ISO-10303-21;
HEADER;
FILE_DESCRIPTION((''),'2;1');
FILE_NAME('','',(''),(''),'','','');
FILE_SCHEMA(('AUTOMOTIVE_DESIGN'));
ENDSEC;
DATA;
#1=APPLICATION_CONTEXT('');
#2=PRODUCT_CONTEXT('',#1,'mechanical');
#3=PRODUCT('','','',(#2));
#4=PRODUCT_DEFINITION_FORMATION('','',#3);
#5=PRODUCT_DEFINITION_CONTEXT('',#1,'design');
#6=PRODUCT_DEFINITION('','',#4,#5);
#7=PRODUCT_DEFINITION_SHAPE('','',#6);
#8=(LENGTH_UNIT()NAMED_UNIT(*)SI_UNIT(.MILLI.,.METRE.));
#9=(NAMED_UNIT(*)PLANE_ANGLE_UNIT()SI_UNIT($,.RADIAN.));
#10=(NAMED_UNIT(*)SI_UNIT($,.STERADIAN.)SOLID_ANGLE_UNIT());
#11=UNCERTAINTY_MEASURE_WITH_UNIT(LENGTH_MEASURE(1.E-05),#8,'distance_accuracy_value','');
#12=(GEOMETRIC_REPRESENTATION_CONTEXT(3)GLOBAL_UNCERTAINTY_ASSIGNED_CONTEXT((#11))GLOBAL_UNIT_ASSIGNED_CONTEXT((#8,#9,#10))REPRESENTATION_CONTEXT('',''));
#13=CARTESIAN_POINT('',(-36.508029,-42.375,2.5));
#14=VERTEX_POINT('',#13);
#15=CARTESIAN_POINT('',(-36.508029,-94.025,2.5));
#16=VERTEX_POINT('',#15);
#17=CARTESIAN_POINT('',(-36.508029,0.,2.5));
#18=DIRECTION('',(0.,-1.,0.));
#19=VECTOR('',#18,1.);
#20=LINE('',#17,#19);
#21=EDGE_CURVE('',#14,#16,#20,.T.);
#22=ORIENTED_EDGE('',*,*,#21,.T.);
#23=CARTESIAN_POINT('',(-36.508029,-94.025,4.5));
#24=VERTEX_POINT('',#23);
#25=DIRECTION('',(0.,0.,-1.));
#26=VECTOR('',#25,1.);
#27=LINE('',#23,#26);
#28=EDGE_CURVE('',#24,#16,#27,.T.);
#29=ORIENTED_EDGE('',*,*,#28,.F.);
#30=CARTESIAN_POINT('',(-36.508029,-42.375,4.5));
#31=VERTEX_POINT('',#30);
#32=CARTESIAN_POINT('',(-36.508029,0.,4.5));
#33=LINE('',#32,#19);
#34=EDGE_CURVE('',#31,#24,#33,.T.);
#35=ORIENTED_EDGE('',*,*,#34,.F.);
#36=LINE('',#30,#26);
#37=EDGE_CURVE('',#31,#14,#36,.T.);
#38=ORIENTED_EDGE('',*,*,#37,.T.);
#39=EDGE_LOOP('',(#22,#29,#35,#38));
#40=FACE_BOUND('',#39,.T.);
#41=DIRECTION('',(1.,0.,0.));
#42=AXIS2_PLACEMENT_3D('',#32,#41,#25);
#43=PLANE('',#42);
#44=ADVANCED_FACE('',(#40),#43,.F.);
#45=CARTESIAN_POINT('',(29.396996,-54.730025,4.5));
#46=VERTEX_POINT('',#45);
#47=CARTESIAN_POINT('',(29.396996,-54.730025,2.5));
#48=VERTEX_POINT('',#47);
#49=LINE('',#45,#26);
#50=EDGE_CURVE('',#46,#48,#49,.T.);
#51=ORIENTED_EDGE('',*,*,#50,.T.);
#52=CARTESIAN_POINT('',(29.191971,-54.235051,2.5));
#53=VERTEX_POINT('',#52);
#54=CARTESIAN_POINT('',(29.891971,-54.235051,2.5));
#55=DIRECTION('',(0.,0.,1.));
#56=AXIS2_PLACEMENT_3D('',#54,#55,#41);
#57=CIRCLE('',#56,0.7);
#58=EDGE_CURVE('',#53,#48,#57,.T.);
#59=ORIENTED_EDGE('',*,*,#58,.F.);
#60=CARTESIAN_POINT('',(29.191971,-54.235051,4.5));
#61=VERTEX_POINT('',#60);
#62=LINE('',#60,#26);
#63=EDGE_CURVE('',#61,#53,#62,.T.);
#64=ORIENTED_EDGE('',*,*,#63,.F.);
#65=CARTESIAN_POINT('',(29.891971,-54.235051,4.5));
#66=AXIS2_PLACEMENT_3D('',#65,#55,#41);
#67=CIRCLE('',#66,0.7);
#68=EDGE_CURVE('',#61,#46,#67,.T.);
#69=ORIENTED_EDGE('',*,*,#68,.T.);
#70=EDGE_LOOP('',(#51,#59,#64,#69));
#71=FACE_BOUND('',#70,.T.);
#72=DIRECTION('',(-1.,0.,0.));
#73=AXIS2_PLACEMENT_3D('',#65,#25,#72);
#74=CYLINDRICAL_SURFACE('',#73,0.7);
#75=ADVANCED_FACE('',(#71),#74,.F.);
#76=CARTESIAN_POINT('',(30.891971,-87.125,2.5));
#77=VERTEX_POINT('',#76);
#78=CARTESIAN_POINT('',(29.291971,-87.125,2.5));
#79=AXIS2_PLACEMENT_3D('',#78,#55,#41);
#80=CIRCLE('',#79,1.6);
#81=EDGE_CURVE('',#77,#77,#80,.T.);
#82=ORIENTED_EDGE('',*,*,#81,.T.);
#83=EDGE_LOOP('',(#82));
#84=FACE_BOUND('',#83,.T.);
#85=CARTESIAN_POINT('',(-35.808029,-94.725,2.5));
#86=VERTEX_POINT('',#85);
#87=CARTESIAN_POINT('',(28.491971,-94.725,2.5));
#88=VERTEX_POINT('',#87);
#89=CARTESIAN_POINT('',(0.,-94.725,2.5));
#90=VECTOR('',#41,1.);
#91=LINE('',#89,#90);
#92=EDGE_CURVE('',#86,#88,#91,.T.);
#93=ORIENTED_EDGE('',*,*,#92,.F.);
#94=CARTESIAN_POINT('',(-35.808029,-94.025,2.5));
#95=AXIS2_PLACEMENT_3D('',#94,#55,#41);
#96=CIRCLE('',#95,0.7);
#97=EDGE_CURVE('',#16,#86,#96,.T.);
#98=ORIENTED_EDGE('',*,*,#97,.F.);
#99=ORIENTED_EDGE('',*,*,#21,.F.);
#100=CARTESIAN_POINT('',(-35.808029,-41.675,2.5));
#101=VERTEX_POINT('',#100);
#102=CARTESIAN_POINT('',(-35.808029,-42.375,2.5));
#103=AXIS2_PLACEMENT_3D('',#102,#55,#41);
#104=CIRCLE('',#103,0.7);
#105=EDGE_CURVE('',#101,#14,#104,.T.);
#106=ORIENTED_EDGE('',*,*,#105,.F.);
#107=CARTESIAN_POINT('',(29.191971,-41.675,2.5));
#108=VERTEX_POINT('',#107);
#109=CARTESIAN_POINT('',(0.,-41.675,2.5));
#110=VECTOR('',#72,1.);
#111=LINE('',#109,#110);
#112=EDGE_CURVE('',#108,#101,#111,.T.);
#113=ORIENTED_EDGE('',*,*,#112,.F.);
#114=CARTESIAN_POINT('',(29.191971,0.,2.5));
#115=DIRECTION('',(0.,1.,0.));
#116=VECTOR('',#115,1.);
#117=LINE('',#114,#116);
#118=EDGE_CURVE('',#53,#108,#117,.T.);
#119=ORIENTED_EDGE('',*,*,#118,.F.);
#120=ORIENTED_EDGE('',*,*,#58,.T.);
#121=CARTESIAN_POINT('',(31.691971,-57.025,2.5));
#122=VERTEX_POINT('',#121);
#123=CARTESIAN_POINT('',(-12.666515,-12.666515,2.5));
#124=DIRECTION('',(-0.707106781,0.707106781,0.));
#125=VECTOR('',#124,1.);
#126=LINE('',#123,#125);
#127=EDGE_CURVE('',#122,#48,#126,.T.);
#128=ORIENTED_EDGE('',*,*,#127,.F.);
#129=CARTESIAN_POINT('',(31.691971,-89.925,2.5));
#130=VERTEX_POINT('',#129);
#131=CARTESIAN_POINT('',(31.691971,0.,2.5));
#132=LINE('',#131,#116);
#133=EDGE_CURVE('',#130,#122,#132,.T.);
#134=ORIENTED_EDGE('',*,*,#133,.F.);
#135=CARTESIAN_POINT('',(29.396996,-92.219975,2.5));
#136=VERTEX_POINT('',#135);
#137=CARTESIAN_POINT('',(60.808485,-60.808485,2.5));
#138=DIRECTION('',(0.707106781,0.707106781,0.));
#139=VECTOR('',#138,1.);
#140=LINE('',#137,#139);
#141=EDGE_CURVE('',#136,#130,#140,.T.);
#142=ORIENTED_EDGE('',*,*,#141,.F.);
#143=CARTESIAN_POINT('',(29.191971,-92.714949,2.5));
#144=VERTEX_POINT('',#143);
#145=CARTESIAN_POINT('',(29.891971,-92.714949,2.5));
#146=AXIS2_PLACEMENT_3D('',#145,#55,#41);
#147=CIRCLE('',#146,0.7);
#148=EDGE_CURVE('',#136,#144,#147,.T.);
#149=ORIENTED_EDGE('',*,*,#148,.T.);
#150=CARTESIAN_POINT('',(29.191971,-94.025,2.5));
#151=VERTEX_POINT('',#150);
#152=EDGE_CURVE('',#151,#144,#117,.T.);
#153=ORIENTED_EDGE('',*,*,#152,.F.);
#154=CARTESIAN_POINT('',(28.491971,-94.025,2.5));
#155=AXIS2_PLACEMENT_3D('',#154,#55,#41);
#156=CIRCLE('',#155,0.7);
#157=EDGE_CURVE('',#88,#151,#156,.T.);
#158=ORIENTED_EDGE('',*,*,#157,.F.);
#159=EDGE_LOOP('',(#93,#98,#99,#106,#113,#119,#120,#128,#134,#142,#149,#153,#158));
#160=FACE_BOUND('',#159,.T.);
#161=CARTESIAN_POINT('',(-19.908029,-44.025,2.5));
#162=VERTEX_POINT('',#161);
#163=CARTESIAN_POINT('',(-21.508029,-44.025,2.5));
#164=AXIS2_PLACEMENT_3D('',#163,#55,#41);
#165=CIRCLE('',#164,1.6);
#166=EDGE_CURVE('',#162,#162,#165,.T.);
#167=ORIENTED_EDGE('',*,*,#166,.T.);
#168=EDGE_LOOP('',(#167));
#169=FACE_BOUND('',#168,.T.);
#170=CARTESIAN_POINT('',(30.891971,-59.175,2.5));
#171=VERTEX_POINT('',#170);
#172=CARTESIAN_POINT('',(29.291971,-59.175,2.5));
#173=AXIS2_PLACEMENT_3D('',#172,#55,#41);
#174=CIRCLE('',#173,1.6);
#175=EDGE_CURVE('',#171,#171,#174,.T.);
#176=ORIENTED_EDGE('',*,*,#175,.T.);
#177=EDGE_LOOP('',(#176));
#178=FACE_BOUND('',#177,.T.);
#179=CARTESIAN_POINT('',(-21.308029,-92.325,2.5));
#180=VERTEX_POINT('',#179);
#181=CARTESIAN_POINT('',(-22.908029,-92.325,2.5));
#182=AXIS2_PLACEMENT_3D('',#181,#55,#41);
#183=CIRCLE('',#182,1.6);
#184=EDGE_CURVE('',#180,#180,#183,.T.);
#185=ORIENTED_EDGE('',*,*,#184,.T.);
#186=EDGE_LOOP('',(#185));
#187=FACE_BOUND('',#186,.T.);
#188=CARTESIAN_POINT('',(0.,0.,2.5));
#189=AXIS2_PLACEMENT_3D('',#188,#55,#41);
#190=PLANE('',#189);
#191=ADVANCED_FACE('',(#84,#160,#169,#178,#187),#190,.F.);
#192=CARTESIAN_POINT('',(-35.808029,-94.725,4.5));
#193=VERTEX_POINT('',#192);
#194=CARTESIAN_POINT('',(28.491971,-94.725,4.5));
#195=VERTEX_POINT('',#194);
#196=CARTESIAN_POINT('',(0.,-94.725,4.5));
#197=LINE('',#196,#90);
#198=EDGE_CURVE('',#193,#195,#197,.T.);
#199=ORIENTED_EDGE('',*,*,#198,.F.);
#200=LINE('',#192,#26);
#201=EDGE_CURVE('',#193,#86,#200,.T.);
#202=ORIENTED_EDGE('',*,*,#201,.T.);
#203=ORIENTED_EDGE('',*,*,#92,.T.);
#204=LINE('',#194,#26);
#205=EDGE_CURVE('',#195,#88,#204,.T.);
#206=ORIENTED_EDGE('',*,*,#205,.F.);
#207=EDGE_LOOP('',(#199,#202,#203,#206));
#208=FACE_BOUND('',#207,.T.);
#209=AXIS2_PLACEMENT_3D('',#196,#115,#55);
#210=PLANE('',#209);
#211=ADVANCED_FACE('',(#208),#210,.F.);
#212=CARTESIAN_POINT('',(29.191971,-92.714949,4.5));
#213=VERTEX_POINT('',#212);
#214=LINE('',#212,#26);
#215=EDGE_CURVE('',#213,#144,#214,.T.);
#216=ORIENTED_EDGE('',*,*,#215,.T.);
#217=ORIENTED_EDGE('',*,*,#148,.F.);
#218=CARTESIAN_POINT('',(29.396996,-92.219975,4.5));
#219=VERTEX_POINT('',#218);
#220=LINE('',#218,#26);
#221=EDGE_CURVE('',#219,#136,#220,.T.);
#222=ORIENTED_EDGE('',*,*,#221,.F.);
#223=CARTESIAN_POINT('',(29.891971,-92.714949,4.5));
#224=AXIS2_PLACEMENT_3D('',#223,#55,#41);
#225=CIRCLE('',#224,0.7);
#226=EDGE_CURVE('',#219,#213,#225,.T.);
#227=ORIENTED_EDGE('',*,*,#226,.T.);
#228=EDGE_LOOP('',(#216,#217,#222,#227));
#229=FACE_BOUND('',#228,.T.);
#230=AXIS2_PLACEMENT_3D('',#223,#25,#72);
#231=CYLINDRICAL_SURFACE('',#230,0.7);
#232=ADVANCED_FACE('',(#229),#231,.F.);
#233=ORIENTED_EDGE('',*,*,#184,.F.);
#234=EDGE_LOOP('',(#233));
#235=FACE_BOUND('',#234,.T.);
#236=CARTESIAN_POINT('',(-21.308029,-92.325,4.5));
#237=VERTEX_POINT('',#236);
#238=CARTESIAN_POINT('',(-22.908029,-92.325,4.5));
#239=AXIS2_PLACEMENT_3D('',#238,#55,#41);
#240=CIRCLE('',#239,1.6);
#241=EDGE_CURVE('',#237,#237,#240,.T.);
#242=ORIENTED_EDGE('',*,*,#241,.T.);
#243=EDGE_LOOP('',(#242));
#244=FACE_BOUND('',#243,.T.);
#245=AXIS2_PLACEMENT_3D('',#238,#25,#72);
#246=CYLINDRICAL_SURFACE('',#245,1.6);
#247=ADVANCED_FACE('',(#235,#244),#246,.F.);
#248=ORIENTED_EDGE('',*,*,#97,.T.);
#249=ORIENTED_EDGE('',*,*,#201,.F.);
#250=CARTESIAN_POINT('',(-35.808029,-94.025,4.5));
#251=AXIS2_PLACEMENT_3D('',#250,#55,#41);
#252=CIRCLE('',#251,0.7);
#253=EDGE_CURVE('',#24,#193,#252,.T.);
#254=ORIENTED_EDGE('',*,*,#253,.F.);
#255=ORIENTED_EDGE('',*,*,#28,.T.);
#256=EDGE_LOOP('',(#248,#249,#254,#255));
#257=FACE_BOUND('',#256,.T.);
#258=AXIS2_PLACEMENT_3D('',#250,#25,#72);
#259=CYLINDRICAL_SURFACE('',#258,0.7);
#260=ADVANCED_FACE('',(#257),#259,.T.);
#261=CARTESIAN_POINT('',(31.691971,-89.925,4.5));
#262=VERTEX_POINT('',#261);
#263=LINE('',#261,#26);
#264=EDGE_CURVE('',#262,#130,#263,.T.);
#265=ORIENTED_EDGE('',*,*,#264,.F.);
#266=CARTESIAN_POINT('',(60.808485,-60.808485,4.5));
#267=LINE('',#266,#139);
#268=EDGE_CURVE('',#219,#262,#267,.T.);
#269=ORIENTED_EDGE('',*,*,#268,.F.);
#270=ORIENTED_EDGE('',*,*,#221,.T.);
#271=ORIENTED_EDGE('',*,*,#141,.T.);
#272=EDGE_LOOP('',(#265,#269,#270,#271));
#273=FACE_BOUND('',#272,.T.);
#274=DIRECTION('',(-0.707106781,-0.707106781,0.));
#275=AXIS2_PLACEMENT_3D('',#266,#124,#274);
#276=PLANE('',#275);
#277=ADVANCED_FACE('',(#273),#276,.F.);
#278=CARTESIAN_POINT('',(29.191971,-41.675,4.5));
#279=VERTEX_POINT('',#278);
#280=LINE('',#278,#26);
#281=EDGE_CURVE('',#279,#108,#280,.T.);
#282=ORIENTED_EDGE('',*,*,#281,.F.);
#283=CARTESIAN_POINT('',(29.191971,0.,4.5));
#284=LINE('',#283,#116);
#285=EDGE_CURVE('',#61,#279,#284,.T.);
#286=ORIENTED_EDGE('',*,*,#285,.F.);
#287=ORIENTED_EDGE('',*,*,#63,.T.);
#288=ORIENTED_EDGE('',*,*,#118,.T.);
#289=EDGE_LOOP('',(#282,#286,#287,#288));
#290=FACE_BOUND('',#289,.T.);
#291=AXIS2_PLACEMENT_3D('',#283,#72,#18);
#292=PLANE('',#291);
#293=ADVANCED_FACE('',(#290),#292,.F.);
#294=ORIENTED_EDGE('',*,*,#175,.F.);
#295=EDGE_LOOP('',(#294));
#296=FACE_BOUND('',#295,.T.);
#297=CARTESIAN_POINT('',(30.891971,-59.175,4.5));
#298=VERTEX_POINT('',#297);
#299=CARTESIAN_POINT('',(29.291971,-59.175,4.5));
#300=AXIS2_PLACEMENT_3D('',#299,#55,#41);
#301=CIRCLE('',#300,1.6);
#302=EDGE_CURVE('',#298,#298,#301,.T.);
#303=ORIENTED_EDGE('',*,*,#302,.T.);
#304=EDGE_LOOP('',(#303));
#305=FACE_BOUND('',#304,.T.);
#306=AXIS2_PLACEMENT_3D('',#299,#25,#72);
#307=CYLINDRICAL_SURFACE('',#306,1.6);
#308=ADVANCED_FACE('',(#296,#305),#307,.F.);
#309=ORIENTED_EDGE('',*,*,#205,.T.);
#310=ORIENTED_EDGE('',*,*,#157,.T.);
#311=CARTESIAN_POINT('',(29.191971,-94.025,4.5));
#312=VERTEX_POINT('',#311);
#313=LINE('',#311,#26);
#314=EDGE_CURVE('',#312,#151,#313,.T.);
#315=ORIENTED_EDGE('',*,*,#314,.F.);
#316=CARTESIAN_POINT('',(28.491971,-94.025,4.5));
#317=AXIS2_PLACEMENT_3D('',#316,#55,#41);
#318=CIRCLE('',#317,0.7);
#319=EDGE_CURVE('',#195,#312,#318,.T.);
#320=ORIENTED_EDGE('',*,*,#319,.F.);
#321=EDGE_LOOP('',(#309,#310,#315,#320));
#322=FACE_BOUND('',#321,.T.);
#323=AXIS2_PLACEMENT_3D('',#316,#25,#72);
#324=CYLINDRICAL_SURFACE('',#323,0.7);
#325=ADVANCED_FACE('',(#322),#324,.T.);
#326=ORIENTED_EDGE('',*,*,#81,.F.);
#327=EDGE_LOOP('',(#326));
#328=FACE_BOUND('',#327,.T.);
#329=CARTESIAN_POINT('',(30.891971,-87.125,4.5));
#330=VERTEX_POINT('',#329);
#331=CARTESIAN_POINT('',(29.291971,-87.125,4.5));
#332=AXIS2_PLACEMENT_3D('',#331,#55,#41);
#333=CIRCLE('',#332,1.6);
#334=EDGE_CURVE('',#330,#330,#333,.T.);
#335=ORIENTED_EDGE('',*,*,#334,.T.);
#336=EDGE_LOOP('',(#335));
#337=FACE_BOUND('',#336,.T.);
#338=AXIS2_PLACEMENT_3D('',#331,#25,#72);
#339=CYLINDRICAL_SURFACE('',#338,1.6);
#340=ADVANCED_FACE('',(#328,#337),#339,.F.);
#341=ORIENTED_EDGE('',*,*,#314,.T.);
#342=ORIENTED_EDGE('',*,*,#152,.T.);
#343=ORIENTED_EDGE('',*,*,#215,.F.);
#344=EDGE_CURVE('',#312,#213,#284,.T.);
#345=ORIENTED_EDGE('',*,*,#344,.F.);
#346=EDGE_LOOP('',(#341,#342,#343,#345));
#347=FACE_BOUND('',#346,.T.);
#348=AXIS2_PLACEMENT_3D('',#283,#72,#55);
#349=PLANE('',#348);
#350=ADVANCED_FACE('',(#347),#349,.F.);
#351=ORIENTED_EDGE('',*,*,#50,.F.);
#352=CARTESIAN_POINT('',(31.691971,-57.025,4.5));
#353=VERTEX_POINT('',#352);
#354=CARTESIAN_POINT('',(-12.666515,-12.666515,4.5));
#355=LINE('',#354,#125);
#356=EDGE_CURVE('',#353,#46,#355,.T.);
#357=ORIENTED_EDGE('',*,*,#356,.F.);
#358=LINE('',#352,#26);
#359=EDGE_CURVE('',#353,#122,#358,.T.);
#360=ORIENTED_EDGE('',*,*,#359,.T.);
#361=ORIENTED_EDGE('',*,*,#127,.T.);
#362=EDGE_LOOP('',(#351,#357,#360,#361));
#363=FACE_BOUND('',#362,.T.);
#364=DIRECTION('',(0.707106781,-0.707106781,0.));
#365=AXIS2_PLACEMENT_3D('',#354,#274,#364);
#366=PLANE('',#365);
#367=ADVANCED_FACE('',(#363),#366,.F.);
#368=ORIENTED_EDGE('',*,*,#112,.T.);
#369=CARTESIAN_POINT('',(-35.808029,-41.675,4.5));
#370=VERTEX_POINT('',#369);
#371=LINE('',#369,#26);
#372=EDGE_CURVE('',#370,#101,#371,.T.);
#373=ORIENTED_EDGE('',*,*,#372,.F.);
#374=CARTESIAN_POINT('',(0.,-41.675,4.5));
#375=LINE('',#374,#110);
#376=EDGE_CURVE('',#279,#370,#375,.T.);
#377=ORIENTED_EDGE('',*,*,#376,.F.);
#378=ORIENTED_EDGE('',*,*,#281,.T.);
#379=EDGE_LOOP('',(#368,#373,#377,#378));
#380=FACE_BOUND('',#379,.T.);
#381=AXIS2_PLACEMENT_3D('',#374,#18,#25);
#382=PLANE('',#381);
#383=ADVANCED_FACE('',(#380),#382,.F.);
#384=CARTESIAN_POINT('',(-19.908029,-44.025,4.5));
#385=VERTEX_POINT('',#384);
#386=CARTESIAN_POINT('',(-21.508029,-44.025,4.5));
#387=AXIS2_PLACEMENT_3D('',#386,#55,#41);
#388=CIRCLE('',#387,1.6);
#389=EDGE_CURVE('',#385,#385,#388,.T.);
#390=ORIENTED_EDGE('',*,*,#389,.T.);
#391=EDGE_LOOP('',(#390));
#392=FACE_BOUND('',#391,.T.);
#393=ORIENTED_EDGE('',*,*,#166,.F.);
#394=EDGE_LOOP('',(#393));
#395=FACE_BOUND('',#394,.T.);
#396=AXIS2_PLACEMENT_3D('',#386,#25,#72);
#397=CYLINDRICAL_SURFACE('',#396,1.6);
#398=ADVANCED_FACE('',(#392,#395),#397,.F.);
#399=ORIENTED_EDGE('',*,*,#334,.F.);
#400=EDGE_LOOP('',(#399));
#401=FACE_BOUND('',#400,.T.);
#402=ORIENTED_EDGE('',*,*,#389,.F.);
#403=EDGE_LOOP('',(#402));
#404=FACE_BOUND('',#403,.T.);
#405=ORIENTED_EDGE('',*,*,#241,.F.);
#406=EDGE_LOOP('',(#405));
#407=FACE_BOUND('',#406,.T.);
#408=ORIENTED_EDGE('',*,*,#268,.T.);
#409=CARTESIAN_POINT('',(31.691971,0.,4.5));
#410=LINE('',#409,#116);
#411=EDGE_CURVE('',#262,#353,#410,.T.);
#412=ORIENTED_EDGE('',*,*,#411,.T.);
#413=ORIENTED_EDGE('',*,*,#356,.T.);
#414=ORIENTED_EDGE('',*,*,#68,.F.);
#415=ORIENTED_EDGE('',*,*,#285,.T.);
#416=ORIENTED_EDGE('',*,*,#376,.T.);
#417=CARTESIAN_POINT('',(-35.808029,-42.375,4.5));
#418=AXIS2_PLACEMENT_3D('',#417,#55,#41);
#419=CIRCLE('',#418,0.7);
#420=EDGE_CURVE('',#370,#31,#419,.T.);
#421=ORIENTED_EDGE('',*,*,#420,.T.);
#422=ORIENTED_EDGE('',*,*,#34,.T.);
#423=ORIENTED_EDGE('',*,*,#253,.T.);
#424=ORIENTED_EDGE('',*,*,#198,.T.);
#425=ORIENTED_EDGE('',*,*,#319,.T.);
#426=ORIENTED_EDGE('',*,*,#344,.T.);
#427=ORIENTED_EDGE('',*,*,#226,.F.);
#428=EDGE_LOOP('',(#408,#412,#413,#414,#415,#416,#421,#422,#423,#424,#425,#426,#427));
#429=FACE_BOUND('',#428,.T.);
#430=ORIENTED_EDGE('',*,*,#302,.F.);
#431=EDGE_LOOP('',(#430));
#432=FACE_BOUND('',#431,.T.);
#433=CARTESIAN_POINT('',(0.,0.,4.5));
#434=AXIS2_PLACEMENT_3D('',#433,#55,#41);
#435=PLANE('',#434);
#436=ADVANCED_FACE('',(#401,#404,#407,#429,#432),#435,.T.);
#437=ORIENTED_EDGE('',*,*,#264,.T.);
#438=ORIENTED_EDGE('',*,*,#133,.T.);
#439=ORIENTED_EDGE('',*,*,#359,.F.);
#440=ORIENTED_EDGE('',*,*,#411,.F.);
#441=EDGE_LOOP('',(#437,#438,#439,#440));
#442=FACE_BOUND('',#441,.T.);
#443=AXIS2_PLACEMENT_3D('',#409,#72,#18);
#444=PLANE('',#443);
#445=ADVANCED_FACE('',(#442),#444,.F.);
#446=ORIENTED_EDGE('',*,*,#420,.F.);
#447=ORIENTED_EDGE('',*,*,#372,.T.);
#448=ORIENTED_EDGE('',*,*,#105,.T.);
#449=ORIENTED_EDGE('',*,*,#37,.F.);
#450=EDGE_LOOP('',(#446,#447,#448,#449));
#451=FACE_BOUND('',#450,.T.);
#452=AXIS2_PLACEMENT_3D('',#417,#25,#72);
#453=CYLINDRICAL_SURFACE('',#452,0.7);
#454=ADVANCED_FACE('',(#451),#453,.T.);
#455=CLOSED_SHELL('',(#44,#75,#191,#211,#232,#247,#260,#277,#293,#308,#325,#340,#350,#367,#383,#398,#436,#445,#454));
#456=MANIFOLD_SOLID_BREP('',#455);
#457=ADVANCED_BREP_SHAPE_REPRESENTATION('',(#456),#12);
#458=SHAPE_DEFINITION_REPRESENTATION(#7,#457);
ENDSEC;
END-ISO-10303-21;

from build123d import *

# Parameters (mm, degrees)
BOSS_EXTRUDE1_START = 2.5
SKETCH1_R           = 1.6
BOSS_EXTRUDE1_DEPTH = 2


with BuildPart() as part:
    # Sketch1 → Boss-Extrude1 (new body)
    with BuildSketch(Plane.XY.offset(BOSS_EXTRUDE1_START)):
        with BuildLine():
            Line((-36.508029185, -42.375), (-36.508029185, -94.025))
            ThreePointArc((-36.508029185, -94.025), (-36.303003932, -94.519974747), (-35.808029185, -94.725))
            Line((-35.808029185, -94.725), (28.491970815, -94.725))
            ThreePointArc((28.491970815, -94.725), (28.986945562, -94.519974747), (29.191970815, -94.025))
            Line((29.191970815, -94.025), (29.191970815, -92.714949494))
            ThreePointArc((29.191970815, -92.714949494), (29.245255142, -92.447071091), (29.396996068, -92.219974747))
            Line((29.396996068, -92.219974747), (31.691970815, -89.925))
            Line((31.691970815, -89.925), (31.691970815, -57.025))
            Line((31.691970815, -57.025), (29.396996068, -54.730025253))
            ThreePointArc((29.396996068, -54.730025253), (29.245255142, -54.502928909), (29.191970815, -54.235050506))
            Line((29.191970815, -54.235050506), (29.191970815, -41.675))
            Line((29.191970815, -41.675), (-35.808029185, -41.675))
            ThreePointArc((-35.808029185, -41.675), (-36.303003932, -41.880025253), (-36.508029185, -42.375))
        make_face()
        with Locations((-21.508029185, -44.025)):
            Circle(SKETCH1_R, mode=Mode.SUBTRACT)
        with Locations((-22.908029185, -92.325)):
            Circle(SKETCH1_R, mode=Mode.SUBTRACT)
        with Locations((29.291970815, -59.175)):
            Circle(SKETCH1_R, mode=Mode.SUBTRACT)
        with Locations((29.291970815, -87.125)):
            Circle(SKETCH1_R, mode=Mode.SUBTRACT)
    extrude(amount=BOSS_EXTRUDE1_DEPTH)


solid = part.part
